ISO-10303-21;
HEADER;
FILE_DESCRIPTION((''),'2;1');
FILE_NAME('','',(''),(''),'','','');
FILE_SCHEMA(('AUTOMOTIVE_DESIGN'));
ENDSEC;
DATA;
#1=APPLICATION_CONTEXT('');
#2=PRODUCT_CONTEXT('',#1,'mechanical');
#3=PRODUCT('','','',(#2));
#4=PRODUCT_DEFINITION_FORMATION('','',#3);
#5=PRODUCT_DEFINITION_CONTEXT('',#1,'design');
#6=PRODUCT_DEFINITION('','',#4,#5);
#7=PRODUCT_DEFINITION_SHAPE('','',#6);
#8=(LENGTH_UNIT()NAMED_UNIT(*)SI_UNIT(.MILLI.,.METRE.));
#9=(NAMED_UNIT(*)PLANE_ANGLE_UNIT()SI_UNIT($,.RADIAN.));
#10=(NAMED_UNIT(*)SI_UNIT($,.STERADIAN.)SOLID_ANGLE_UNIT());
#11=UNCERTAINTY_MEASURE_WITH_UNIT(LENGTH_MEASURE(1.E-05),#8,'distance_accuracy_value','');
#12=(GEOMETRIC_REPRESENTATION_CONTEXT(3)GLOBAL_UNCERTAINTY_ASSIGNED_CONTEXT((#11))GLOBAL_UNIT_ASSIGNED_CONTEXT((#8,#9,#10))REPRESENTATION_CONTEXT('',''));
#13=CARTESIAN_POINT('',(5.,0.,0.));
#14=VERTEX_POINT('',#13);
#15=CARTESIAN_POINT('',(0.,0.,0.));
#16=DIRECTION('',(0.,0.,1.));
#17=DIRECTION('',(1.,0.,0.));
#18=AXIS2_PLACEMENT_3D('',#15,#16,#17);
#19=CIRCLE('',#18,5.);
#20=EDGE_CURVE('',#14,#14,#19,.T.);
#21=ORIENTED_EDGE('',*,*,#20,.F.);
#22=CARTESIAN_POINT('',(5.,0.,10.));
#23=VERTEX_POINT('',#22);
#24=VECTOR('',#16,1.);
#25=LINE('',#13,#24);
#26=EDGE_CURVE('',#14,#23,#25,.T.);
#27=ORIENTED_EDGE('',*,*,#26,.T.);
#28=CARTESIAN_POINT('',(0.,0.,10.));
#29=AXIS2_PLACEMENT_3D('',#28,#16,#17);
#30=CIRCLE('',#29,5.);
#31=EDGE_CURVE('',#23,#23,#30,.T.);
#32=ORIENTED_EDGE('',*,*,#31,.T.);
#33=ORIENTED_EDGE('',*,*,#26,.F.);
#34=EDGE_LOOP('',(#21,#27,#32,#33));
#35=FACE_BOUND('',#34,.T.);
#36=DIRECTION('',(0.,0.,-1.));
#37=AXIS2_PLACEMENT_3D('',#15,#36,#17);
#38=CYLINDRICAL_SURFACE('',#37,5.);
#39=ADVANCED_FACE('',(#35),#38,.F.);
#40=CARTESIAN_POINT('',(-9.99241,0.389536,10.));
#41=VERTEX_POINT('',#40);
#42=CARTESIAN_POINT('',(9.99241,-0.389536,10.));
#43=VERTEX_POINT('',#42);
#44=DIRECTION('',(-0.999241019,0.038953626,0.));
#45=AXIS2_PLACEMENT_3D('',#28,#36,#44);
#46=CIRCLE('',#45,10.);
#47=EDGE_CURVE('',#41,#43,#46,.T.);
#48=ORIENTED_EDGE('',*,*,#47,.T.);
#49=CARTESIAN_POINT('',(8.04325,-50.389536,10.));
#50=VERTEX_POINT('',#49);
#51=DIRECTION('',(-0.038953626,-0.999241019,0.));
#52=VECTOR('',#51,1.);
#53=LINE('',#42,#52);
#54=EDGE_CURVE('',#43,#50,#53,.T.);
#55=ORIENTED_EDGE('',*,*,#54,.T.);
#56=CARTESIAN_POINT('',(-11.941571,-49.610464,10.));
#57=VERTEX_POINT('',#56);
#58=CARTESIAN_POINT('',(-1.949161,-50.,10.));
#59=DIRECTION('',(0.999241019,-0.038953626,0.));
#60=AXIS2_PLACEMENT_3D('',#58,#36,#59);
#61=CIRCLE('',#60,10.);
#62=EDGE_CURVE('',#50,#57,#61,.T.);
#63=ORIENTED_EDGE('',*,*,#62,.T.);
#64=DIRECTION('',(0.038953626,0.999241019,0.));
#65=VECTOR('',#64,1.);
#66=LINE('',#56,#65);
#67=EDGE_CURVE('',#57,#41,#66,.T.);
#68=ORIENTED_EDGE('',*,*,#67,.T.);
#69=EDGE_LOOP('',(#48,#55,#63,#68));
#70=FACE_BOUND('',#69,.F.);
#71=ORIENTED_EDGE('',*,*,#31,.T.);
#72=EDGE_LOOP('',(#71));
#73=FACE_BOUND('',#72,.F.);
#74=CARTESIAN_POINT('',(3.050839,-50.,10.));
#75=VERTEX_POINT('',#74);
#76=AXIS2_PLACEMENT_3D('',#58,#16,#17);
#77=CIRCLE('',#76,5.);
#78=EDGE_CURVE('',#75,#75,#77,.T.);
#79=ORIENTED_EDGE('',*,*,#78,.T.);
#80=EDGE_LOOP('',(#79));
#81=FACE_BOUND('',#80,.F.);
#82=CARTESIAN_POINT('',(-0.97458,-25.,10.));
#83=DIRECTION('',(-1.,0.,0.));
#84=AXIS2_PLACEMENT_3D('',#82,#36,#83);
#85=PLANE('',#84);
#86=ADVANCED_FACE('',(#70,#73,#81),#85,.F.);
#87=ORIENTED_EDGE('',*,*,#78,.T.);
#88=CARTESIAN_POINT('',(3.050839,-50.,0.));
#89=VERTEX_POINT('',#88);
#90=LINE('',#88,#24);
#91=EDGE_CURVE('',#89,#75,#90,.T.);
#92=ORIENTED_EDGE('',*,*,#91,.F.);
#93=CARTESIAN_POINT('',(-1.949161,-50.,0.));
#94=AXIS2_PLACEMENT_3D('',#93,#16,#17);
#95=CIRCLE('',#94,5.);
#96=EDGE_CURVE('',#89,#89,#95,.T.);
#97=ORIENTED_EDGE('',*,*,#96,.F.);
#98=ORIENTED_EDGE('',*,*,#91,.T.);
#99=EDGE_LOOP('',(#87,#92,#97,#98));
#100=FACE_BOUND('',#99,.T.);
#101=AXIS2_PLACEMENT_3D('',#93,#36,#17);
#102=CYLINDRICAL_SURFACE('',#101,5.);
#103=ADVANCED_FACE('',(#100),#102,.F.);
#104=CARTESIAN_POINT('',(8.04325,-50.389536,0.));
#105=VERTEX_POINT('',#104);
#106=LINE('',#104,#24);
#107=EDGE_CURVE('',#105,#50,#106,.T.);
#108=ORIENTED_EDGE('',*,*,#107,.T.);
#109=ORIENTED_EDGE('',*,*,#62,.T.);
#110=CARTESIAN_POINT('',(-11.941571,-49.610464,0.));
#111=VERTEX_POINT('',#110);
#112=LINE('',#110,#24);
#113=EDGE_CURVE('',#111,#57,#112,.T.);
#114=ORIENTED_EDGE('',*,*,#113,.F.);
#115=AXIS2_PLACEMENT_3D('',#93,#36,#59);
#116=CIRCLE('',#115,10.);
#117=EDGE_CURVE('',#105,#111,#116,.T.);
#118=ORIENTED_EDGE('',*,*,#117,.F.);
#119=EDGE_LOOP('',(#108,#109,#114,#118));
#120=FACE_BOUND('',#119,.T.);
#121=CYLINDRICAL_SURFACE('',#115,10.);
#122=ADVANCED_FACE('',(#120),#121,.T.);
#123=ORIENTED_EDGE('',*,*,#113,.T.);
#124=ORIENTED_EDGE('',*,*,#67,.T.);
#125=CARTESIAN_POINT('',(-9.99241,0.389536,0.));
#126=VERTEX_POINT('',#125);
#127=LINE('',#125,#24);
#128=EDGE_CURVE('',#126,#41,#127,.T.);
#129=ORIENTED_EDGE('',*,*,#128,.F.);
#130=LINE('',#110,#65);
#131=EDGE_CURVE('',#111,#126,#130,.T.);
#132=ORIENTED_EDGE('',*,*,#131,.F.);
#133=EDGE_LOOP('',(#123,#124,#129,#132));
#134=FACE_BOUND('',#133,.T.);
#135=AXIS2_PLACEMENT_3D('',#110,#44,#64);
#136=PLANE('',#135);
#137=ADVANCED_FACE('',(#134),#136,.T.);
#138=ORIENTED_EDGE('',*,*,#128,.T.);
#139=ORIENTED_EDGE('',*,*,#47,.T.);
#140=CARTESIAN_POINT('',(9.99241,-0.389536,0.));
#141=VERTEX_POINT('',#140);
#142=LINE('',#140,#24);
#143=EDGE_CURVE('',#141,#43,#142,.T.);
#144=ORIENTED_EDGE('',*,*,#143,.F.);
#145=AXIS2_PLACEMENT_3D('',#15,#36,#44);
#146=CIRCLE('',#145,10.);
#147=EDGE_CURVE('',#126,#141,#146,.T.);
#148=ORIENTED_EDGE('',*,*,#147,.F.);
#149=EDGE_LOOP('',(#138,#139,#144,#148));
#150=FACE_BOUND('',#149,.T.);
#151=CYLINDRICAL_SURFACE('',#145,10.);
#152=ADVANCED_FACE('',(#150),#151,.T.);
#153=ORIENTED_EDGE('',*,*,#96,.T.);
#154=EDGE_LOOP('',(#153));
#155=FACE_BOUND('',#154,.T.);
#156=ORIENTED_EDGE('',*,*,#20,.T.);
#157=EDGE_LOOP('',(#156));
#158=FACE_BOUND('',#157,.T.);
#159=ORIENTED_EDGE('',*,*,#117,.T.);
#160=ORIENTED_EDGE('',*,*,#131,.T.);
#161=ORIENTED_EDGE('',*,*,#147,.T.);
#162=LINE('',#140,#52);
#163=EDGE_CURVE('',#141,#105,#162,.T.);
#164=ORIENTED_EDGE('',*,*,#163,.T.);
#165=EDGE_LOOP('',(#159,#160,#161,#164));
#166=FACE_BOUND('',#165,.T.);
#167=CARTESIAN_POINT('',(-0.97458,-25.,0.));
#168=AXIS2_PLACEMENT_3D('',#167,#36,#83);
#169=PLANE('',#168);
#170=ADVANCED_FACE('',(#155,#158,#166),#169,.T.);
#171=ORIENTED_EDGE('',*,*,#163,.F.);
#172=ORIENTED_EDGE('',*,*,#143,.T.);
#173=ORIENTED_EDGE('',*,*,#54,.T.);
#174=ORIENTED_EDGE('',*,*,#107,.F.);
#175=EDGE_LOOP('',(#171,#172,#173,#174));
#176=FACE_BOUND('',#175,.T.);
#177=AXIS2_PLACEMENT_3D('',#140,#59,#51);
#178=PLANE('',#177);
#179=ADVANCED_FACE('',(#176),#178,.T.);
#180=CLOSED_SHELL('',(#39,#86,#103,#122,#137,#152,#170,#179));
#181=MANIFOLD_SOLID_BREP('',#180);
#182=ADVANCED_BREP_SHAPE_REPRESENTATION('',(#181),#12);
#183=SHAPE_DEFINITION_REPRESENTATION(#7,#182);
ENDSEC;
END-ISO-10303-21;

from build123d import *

# Parameters (mm, degrees)
SKETCH1_R           = 5
BOSS_EXTRUDE1_DEPTH = 10


with BuildPart() as part:
    # Sketch1 → Boss-Extrude1 (new body)
    with BuildSketch(Plane.XY):
        with BuildLine():
            Line((9.992410195, -0.389536259), (8.043249523, -50.389536259))
            ThreePointArc((8.043249523, -50.389536259), (-2.338696931, -59.992410195), (-11.941570866, -49.610463741))
            Line((-11.941570866, -49.610463741), (-9.992410195, 0.389536259))
            ThreePointArc((-9.992410195, 0.389536259), (0.389536259, 9.992410195), (9.992410195, -0.389536259))
        make_face()
        with Locations((-1.949160671, -50)):
            Circle(SKETCH1_R, mode=Mode.SUBTRACT)
        Circle(SKETCH1_R, mode=Mode.SUBTRACT)
    extrude(amount=BOSS_EXTRUDE1_DEPTH)


solid = part.part
